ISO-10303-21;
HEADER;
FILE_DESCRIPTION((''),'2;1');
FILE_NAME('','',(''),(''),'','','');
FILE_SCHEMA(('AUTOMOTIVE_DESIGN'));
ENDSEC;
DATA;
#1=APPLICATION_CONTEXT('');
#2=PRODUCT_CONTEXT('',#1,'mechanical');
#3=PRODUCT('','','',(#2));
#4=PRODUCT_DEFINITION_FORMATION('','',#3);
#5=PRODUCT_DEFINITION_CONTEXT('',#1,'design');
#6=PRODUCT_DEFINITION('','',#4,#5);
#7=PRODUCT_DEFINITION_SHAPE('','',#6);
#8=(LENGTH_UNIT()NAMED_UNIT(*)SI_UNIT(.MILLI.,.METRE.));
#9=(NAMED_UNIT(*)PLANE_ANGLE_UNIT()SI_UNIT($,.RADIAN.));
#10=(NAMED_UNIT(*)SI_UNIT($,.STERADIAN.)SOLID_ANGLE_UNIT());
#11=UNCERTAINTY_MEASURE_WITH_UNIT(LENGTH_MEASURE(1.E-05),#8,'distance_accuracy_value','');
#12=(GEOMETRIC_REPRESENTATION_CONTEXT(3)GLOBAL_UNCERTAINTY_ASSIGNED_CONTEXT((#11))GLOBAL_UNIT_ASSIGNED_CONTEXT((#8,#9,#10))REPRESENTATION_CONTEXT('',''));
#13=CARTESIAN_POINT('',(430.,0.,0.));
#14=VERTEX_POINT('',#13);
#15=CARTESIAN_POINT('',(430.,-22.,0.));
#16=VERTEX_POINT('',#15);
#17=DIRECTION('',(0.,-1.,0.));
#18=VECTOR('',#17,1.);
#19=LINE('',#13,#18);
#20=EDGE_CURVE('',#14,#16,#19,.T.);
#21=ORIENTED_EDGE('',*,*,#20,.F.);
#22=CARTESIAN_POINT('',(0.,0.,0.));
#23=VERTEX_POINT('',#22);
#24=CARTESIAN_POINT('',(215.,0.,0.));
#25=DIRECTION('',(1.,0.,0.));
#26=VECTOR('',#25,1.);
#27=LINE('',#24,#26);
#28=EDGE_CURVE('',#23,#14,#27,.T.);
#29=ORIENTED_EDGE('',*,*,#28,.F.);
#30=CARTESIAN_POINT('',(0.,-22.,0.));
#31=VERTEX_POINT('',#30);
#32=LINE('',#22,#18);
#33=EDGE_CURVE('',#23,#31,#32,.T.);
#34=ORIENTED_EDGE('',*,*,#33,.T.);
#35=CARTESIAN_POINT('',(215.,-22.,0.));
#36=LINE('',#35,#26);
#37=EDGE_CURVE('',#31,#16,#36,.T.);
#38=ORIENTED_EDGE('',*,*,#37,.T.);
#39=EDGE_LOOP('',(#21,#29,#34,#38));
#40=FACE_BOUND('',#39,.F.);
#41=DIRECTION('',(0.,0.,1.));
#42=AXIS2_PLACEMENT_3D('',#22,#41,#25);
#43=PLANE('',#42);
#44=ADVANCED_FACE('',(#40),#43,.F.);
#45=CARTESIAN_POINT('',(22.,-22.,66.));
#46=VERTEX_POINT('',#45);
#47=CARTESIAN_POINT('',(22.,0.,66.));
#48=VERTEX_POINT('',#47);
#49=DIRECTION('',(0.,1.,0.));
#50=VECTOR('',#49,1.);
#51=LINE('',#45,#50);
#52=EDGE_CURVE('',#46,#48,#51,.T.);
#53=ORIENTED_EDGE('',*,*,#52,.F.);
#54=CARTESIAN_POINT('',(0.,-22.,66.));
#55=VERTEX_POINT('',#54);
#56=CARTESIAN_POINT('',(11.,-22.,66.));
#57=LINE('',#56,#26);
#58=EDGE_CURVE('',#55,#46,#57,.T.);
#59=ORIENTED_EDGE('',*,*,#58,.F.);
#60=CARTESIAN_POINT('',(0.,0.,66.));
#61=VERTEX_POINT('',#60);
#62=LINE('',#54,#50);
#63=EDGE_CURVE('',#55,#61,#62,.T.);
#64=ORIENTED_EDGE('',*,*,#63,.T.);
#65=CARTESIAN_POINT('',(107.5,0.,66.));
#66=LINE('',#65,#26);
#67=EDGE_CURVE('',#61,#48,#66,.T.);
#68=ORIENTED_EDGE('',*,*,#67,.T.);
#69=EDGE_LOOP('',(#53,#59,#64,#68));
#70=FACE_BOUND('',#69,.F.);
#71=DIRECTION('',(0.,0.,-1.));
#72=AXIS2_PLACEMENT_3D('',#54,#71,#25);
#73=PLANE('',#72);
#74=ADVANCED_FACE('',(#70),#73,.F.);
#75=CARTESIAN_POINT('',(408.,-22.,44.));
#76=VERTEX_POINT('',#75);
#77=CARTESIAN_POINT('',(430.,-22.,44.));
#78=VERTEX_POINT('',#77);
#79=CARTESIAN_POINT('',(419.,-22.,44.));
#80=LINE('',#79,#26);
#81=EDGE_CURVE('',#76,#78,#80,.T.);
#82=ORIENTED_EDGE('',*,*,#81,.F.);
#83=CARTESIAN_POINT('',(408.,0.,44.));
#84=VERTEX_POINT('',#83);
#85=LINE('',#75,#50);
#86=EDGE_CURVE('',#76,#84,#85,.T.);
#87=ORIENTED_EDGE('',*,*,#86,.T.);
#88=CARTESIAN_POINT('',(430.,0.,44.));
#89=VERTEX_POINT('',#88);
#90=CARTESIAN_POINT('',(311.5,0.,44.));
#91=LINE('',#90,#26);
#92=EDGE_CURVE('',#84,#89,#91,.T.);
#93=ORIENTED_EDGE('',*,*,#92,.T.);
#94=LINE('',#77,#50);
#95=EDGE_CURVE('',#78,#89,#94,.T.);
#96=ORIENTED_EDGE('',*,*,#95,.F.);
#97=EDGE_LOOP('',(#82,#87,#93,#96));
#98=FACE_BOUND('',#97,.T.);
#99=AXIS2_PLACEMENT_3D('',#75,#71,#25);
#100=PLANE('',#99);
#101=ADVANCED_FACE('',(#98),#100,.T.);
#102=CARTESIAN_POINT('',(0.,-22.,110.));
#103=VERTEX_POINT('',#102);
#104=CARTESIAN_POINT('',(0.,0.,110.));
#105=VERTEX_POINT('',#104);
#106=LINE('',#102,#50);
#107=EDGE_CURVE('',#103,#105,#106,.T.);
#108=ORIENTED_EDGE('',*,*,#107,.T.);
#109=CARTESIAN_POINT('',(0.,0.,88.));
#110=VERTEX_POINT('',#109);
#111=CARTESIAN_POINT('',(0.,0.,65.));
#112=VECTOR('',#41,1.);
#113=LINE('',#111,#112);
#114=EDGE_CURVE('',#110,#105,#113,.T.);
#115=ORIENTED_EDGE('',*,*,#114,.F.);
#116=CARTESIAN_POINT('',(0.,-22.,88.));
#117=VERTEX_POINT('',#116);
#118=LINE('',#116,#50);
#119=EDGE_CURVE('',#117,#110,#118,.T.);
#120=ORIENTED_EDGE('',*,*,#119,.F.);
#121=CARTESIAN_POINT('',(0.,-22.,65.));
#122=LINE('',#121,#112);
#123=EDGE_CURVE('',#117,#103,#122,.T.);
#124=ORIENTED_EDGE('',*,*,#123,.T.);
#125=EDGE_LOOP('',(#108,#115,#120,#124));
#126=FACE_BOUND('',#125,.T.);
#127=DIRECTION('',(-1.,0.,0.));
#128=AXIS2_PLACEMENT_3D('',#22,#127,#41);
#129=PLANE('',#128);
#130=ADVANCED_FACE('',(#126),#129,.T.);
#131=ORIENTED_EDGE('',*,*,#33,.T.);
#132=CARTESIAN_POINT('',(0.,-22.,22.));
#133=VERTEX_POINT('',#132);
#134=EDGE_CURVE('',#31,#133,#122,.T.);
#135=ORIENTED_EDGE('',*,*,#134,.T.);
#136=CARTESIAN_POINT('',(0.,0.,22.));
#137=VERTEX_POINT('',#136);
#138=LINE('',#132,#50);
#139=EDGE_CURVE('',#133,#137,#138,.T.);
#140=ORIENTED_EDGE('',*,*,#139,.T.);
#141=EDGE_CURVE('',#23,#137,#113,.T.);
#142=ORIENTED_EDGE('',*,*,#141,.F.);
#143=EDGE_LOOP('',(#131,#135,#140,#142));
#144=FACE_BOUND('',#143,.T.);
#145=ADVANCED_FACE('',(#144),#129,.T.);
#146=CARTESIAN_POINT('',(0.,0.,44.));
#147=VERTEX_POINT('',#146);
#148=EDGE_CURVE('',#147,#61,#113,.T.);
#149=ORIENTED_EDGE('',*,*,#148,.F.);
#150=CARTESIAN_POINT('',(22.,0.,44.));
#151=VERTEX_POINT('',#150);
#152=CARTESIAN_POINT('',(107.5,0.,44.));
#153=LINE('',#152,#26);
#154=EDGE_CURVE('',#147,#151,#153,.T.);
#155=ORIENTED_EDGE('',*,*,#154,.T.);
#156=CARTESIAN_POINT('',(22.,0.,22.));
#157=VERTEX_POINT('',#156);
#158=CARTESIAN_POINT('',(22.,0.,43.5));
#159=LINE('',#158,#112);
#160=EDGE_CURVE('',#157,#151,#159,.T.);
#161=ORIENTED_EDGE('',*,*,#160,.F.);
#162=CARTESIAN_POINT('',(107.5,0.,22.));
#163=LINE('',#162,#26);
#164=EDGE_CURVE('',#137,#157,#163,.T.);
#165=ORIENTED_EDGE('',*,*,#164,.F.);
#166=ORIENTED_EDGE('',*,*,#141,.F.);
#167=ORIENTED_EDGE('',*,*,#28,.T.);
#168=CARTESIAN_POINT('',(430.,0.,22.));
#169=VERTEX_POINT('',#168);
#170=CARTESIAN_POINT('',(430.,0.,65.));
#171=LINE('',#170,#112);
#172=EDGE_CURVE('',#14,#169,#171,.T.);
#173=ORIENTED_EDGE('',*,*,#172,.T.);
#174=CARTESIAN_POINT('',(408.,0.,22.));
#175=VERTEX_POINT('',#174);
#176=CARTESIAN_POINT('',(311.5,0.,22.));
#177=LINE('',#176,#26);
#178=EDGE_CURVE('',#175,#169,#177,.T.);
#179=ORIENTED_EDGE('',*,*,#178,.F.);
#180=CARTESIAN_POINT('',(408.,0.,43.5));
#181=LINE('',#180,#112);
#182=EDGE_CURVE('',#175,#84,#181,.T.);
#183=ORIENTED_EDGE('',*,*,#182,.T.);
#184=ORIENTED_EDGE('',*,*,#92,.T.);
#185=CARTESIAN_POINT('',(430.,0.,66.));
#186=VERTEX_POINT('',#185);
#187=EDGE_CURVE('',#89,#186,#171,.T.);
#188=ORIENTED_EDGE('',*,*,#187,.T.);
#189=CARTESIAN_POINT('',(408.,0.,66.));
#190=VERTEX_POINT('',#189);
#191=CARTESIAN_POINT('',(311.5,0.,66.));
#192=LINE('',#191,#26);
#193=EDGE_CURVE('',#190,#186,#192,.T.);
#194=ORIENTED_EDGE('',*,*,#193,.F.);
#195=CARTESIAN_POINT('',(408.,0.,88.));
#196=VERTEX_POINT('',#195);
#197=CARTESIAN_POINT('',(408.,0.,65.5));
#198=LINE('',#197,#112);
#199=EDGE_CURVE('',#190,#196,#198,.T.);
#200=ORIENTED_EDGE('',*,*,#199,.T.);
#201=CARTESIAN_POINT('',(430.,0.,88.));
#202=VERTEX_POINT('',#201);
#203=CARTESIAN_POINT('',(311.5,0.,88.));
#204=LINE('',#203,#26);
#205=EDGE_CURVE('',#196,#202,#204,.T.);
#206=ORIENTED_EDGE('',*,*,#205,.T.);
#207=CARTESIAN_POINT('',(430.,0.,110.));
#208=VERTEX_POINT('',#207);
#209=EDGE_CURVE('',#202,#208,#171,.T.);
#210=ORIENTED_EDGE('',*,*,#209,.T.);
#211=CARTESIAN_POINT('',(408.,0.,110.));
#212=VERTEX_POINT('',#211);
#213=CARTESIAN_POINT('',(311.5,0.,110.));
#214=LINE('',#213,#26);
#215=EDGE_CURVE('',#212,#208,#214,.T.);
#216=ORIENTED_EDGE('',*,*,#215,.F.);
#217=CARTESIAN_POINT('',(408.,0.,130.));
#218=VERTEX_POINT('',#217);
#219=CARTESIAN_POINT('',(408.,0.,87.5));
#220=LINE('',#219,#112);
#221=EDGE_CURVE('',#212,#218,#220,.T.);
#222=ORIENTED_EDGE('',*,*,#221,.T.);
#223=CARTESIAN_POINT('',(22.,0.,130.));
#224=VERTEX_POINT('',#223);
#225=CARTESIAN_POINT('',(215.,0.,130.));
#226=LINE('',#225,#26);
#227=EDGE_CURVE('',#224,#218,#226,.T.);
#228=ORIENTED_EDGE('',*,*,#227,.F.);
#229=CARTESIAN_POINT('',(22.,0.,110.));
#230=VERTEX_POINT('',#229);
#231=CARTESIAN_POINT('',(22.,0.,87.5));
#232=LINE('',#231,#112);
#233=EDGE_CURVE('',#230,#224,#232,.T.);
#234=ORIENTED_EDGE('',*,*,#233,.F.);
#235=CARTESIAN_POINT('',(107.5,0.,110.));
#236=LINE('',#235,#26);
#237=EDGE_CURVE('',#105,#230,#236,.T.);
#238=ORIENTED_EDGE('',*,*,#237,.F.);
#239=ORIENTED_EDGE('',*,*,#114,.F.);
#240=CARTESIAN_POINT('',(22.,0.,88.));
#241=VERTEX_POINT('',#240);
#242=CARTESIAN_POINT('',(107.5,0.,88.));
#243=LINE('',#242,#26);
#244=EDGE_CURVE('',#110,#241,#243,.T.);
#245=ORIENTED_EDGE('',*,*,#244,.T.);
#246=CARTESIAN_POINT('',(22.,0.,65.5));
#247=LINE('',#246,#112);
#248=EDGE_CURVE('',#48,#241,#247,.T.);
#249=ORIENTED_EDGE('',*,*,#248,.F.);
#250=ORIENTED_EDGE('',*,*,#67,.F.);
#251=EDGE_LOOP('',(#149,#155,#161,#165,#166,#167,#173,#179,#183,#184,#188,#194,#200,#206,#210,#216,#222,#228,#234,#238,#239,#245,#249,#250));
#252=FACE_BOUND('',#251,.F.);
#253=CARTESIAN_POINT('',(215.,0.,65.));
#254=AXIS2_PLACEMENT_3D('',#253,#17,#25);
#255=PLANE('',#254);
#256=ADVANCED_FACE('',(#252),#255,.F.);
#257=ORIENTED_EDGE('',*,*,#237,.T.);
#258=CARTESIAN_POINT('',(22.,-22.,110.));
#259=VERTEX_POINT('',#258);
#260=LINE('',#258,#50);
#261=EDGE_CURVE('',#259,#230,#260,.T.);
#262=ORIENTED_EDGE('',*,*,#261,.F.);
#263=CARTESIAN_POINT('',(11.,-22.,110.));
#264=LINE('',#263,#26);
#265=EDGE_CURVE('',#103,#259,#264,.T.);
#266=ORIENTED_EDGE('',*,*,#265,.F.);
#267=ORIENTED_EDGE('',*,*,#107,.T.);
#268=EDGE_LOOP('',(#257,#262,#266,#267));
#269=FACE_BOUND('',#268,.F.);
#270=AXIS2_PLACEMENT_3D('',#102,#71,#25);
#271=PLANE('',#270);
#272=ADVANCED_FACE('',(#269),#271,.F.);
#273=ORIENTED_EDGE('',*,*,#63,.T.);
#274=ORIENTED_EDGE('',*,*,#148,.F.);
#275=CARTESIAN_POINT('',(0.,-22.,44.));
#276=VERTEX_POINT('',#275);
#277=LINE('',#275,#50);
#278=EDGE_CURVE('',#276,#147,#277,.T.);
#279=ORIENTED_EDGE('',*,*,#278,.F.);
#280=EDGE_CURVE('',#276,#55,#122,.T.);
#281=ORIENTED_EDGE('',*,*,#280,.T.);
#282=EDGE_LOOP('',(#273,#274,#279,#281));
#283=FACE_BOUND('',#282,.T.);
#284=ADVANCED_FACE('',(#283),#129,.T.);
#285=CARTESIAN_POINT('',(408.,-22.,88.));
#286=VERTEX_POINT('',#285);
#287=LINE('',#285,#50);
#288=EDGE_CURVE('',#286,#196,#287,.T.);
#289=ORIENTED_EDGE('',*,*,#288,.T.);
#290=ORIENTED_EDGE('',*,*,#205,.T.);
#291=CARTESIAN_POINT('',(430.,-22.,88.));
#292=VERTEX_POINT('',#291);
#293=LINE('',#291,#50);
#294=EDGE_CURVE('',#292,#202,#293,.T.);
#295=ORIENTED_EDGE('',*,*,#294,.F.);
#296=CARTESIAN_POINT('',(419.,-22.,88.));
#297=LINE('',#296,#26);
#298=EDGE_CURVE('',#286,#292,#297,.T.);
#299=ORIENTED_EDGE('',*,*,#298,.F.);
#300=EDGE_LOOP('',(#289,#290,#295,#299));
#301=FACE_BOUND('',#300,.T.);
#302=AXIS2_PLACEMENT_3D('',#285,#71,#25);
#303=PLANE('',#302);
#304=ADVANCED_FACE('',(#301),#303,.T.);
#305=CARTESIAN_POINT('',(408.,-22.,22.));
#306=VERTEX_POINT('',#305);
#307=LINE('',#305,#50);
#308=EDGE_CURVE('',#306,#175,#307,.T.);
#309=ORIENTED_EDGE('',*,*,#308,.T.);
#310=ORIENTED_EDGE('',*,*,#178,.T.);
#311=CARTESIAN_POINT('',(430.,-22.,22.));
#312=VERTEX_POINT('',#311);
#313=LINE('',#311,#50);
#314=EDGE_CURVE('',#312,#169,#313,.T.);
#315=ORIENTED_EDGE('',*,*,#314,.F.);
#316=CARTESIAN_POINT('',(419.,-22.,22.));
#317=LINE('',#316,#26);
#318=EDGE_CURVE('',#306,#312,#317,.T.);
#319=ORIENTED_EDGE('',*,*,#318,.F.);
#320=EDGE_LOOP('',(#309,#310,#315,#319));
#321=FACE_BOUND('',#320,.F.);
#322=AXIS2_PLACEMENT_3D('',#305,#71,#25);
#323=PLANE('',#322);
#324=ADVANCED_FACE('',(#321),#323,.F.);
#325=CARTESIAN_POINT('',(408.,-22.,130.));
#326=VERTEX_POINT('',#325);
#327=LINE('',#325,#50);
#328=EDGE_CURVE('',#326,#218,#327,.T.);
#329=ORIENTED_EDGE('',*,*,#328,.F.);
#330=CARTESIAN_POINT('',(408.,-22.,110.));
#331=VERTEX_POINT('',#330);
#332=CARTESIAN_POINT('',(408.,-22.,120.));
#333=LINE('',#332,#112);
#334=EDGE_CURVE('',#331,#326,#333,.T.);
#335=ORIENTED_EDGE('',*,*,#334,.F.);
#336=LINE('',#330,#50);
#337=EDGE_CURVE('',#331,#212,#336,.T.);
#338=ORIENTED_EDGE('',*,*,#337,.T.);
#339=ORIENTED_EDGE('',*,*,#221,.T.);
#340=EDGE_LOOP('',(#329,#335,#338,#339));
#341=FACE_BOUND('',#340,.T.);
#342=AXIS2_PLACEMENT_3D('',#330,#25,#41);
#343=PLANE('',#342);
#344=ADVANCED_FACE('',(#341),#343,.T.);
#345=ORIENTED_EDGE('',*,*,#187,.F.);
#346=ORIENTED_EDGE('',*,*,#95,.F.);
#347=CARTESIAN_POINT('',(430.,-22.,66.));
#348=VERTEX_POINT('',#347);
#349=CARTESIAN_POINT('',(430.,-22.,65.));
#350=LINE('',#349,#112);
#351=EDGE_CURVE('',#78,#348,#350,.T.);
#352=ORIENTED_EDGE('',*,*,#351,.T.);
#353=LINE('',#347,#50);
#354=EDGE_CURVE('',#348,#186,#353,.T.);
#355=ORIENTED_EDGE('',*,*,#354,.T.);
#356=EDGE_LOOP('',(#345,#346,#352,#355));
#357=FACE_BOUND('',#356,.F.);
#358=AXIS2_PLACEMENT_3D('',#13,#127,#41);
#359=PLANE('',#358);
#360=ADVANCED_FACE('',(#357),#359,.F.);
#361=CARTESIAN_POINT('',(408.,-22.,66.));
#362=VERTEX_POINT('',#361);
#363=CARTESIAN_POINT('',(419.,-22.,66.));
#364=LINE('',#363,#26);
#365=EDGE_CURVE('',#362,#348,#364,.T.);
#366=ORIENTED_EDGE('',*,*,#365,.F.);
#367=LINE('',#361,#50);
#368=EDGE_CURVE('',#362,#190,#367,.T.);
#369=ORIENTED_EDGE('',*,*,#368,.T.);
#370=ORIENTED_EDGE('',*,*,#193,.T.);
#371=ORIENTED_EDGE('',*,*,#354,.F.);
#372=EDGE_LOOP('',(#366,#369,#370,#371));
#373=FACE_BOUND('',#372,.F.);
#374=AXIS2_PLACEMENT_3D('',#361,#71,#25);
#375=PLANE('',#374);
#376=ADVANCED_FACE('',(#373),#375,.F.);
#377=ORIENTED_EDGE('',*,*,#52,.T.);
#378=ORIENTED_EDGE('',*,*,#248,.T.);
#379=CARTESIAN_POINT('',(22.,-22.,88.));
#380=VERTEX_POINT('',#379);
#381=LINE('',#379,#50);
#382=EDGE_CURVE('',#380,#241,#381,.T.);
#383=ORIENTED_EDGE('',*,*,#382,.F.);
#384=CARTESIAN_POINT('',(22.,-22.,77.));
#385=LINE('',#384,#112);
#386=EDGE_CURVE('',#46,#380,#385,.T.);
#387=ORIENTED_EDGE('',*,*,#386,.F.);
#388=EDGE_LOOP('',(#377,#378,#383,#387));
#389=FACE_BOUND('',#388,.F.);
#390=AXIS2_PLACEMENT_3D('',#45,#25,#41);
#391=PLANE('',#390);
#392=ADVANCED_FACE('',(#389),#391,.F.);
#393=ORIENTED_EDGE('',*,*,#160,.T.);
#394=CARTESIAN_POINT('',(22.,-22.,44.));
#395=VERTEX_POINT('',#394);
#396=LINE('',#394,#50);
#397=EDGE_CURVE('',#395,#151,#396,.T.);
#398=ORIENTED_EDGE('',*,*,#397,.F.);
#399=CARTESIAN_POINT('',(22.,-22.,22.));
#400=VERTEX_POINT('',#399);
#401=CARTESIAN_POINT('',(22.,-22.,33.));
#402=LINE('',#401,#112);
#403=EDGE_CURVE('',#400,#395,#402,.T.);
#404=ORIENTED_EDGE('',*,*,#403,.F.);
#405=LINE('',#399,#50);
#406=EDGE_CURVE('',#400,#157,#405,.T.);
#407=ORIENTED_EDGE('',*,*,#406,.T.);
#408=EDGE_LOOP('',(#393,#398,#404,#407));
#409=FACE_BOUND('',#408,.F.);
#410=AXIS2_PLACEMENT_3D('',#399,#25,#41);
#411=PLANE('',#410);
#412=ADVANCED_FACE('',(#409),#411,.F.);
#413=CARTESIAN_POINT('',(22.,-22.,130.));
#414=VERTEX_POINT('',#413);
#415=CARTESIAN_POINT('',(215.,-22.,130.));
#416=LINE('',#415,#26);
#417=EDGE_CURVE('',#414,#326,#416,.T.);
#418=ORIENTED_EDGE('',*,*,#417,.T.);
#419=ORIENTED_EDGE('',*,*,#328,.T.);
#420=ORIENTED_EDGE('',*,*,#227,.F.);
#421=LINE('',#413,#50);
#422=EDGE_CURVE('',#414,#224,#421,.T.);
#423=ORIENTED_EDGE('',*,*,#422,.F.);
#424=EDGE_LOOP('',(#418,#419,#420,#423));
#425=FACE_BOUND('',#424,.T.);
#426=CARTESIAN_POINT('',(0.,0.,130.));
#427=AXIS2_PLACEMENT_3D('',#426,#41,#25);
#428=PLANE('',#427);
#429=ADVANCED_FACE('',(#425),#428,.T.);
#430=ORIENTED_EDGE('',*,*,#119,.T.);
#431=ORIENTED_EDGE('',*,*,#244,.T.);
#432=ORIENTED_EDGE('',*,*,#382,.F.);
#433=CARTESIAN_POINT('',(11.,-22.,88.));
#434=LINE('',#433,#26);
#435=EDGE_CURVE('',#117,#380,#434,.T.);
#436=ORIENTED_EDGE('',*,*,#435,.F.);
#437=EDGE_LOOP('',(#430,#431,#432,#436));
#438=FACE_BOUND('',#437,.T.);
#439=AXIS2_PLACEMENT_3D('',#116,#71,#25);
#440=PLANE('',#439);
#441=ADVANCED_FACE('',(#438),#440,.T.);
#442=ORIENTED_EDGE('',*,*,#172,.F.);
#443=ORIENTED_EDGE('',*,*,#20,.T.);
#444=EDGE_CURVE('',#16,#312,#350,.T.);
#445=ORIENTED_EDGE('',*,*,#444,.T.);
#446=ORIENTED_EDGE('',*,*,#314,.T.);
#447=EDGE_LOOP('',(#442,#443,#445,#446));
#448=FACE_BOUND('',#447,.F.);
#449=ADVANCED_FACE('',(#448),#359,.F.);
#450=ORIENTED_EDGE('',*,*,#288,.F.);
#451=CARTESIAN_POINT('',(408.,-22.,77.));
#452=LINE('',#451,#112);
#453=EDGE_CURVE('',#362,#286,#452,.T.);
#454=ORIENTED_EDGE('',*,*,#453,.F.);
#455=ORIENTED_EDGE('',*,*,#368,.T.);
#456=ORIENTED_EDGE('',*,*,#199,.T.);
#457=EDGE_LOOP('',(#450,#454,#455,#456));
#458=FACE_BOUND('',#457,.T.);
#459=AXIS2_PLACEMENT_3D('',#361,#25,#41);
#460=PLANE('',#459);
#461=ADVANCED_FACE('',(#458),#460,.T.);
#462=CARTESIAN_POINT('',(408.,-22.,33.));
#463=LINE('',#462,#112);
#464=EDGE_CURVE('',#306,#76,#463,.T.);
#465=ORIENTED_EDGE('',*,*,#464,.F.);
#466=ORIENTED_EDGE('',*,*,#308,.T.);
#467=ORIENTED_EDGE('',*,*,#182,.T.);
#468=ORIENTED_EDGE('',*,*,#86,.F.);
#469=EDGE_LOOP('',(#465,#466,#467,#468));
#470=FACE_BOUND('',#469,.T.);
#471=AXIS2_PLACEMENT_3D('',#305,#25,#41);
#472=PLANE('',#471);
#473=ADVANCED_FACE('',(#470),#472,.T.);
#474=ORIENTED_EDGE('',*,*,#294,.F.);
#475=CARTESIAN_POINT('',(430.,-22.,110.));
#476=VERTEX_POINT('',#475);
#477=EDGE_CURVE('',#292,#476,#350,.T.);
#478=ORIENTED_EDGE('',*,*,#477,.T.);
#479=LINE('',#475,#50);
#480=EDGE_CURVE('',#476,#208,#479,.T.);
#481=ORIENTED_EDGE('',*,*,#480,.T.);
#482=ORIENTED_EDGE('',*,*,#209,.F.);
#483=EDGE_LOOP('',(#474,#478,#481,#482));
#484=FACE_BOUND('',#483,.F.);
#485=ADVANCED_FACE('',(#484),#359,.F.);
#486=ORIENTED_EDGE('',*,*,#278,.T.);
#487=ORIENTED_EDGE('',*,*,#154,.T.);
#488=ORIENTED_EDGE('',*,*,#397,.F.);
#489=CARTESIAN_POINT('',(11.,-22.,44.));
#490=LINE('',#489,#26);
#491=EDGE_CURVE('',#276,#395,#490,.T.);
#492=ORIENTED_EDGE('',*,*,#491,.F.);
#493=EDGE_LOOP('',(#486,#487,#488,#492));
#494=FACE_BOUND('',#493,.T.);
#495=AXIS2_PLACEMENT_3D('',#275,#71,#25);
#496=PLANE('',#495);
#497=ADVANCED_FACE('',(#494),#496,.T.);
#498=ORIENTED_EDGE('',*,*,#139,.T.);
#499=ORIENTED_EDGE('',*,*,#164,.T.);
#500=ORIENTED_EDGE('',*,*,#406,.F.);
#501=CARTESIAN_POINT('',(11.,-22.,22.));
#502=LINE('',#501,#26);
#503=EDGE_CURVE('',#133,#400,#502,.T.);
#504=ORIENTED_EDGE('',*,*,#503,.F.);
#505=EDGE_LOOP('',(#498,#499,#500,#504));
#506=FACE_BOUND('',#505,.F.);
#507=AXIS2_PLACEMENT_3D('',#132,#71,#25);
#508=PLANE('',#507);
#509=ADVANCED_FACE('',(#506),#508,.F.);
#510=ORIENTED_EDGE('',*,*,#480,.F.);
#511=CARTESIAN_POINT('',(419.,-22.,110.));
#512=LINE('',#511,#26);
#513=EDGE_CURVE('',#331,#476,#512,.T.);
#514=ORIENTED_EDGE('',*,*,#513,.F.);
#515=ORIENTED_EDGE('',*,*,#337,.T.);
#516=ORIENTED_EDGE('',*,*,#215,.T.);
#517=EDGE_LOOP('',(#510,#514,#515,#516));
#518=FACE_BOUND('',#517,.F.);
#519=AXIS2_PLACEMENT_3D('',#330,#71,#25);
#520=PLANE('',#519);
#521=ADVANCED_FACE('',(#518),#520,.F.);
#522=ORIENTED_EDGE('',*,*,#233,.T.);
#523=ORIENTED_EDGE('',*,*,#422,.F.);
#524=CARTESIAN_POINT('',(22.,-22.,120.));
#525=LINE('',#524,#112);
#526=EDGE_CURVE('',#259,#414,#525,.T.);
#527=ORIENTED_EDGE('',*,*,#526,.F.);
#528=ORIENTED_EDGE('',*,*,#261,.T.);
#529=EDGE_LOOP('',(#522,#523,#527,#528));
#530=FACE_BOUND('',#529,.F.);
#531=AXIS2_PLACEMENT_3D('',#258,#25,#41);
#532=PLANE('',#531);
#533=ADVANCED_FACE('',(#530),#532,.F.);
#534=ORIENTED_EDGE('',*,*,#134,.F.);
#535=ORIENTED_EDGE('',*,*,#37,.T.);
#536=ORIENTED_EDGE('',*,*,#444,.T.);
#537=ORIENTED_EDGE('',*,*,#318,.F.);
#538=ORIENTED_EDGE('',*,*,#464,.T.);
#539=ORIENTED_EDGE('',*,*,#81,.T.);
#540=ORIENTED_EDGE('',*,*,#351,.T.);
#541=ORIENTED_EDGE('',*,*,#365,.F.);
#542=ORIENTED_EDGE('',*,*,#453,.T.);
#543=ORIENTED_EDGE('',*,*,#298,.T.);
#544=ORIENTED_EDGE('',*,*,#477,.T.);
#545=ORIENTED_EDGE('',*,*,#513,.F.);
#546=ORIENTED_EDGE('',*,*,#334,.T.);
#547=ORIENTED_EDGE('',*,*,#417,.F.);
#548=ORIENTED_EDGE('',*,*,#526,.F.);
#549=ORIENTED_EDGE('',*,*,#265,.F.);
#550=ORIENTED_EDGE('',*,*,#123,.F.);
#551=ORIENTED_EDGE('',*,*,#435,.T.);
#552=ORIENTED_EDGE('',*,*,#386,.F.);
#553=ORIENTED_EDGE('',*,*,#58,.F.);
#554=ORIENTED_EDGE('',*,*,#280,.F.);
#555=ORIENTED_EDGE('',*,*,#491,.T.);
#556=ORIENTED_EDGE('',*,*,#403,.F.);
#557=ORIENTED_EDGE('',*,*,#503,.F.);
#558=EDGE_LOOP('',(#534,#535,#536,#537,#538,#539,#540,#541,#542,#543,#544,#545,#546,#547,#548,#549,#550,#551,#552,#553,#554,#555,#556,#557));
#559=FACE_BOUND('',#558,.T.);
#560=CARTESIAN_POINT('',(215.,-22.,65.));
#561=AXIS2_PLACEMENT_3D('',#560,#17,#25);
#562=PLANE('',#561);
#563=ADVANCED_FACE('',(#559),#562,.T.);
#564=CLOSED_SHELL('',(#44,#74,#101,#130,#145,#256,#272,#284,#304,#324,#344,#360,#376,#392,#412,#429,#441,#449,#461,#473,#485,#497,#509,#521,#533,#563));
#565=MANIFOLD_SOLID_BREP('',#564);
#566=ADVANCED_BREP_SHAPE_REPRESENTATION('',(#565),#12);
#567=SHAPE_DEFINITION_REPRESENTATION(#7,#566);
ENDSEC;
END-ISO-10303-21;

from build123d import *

# Parameters (mm, degrees)
F0_W     = 430
F0_H     = 130
F1_DEPTH = 22
F2_W     = 22
F2_H     = 22
F2_H_2   = 20
F3_DEPTH = 25


with BuildPart() as f1:
    # F0 (on Front) → F1 (new body)
    with BuildSketch(Plane.XZ):
        with Locations((215, 65)):
            Rectangle(F0_W, F0_H)
    extrude(amount=F1_DEPTH)

    # F2 (on face) → F3 (cut)
    with BuildSketch(Plane.XZ.offset(22)):
        with Locations((11, 33)):
            Rectangle(F2_W, F2_H)
        with Locations((11, 77)):
            Rectangle(F2_W, F2_H)
        with Locations((419, 77)):
            Rectangle(F2_W, F2_H)
        with Locations((419, 33)):
            Rectangle(F2_W, F2_H)
        with Locations((11, 120)):
            Rectangle(F2_W, F2_H_2)
        with Locations((419, 120)):
            Rectangle(F2_W, F2_H_2)
    extrude(amount=-F3_DEPTH, mode=Mode.SUBTRACT)


solid = f1.part
